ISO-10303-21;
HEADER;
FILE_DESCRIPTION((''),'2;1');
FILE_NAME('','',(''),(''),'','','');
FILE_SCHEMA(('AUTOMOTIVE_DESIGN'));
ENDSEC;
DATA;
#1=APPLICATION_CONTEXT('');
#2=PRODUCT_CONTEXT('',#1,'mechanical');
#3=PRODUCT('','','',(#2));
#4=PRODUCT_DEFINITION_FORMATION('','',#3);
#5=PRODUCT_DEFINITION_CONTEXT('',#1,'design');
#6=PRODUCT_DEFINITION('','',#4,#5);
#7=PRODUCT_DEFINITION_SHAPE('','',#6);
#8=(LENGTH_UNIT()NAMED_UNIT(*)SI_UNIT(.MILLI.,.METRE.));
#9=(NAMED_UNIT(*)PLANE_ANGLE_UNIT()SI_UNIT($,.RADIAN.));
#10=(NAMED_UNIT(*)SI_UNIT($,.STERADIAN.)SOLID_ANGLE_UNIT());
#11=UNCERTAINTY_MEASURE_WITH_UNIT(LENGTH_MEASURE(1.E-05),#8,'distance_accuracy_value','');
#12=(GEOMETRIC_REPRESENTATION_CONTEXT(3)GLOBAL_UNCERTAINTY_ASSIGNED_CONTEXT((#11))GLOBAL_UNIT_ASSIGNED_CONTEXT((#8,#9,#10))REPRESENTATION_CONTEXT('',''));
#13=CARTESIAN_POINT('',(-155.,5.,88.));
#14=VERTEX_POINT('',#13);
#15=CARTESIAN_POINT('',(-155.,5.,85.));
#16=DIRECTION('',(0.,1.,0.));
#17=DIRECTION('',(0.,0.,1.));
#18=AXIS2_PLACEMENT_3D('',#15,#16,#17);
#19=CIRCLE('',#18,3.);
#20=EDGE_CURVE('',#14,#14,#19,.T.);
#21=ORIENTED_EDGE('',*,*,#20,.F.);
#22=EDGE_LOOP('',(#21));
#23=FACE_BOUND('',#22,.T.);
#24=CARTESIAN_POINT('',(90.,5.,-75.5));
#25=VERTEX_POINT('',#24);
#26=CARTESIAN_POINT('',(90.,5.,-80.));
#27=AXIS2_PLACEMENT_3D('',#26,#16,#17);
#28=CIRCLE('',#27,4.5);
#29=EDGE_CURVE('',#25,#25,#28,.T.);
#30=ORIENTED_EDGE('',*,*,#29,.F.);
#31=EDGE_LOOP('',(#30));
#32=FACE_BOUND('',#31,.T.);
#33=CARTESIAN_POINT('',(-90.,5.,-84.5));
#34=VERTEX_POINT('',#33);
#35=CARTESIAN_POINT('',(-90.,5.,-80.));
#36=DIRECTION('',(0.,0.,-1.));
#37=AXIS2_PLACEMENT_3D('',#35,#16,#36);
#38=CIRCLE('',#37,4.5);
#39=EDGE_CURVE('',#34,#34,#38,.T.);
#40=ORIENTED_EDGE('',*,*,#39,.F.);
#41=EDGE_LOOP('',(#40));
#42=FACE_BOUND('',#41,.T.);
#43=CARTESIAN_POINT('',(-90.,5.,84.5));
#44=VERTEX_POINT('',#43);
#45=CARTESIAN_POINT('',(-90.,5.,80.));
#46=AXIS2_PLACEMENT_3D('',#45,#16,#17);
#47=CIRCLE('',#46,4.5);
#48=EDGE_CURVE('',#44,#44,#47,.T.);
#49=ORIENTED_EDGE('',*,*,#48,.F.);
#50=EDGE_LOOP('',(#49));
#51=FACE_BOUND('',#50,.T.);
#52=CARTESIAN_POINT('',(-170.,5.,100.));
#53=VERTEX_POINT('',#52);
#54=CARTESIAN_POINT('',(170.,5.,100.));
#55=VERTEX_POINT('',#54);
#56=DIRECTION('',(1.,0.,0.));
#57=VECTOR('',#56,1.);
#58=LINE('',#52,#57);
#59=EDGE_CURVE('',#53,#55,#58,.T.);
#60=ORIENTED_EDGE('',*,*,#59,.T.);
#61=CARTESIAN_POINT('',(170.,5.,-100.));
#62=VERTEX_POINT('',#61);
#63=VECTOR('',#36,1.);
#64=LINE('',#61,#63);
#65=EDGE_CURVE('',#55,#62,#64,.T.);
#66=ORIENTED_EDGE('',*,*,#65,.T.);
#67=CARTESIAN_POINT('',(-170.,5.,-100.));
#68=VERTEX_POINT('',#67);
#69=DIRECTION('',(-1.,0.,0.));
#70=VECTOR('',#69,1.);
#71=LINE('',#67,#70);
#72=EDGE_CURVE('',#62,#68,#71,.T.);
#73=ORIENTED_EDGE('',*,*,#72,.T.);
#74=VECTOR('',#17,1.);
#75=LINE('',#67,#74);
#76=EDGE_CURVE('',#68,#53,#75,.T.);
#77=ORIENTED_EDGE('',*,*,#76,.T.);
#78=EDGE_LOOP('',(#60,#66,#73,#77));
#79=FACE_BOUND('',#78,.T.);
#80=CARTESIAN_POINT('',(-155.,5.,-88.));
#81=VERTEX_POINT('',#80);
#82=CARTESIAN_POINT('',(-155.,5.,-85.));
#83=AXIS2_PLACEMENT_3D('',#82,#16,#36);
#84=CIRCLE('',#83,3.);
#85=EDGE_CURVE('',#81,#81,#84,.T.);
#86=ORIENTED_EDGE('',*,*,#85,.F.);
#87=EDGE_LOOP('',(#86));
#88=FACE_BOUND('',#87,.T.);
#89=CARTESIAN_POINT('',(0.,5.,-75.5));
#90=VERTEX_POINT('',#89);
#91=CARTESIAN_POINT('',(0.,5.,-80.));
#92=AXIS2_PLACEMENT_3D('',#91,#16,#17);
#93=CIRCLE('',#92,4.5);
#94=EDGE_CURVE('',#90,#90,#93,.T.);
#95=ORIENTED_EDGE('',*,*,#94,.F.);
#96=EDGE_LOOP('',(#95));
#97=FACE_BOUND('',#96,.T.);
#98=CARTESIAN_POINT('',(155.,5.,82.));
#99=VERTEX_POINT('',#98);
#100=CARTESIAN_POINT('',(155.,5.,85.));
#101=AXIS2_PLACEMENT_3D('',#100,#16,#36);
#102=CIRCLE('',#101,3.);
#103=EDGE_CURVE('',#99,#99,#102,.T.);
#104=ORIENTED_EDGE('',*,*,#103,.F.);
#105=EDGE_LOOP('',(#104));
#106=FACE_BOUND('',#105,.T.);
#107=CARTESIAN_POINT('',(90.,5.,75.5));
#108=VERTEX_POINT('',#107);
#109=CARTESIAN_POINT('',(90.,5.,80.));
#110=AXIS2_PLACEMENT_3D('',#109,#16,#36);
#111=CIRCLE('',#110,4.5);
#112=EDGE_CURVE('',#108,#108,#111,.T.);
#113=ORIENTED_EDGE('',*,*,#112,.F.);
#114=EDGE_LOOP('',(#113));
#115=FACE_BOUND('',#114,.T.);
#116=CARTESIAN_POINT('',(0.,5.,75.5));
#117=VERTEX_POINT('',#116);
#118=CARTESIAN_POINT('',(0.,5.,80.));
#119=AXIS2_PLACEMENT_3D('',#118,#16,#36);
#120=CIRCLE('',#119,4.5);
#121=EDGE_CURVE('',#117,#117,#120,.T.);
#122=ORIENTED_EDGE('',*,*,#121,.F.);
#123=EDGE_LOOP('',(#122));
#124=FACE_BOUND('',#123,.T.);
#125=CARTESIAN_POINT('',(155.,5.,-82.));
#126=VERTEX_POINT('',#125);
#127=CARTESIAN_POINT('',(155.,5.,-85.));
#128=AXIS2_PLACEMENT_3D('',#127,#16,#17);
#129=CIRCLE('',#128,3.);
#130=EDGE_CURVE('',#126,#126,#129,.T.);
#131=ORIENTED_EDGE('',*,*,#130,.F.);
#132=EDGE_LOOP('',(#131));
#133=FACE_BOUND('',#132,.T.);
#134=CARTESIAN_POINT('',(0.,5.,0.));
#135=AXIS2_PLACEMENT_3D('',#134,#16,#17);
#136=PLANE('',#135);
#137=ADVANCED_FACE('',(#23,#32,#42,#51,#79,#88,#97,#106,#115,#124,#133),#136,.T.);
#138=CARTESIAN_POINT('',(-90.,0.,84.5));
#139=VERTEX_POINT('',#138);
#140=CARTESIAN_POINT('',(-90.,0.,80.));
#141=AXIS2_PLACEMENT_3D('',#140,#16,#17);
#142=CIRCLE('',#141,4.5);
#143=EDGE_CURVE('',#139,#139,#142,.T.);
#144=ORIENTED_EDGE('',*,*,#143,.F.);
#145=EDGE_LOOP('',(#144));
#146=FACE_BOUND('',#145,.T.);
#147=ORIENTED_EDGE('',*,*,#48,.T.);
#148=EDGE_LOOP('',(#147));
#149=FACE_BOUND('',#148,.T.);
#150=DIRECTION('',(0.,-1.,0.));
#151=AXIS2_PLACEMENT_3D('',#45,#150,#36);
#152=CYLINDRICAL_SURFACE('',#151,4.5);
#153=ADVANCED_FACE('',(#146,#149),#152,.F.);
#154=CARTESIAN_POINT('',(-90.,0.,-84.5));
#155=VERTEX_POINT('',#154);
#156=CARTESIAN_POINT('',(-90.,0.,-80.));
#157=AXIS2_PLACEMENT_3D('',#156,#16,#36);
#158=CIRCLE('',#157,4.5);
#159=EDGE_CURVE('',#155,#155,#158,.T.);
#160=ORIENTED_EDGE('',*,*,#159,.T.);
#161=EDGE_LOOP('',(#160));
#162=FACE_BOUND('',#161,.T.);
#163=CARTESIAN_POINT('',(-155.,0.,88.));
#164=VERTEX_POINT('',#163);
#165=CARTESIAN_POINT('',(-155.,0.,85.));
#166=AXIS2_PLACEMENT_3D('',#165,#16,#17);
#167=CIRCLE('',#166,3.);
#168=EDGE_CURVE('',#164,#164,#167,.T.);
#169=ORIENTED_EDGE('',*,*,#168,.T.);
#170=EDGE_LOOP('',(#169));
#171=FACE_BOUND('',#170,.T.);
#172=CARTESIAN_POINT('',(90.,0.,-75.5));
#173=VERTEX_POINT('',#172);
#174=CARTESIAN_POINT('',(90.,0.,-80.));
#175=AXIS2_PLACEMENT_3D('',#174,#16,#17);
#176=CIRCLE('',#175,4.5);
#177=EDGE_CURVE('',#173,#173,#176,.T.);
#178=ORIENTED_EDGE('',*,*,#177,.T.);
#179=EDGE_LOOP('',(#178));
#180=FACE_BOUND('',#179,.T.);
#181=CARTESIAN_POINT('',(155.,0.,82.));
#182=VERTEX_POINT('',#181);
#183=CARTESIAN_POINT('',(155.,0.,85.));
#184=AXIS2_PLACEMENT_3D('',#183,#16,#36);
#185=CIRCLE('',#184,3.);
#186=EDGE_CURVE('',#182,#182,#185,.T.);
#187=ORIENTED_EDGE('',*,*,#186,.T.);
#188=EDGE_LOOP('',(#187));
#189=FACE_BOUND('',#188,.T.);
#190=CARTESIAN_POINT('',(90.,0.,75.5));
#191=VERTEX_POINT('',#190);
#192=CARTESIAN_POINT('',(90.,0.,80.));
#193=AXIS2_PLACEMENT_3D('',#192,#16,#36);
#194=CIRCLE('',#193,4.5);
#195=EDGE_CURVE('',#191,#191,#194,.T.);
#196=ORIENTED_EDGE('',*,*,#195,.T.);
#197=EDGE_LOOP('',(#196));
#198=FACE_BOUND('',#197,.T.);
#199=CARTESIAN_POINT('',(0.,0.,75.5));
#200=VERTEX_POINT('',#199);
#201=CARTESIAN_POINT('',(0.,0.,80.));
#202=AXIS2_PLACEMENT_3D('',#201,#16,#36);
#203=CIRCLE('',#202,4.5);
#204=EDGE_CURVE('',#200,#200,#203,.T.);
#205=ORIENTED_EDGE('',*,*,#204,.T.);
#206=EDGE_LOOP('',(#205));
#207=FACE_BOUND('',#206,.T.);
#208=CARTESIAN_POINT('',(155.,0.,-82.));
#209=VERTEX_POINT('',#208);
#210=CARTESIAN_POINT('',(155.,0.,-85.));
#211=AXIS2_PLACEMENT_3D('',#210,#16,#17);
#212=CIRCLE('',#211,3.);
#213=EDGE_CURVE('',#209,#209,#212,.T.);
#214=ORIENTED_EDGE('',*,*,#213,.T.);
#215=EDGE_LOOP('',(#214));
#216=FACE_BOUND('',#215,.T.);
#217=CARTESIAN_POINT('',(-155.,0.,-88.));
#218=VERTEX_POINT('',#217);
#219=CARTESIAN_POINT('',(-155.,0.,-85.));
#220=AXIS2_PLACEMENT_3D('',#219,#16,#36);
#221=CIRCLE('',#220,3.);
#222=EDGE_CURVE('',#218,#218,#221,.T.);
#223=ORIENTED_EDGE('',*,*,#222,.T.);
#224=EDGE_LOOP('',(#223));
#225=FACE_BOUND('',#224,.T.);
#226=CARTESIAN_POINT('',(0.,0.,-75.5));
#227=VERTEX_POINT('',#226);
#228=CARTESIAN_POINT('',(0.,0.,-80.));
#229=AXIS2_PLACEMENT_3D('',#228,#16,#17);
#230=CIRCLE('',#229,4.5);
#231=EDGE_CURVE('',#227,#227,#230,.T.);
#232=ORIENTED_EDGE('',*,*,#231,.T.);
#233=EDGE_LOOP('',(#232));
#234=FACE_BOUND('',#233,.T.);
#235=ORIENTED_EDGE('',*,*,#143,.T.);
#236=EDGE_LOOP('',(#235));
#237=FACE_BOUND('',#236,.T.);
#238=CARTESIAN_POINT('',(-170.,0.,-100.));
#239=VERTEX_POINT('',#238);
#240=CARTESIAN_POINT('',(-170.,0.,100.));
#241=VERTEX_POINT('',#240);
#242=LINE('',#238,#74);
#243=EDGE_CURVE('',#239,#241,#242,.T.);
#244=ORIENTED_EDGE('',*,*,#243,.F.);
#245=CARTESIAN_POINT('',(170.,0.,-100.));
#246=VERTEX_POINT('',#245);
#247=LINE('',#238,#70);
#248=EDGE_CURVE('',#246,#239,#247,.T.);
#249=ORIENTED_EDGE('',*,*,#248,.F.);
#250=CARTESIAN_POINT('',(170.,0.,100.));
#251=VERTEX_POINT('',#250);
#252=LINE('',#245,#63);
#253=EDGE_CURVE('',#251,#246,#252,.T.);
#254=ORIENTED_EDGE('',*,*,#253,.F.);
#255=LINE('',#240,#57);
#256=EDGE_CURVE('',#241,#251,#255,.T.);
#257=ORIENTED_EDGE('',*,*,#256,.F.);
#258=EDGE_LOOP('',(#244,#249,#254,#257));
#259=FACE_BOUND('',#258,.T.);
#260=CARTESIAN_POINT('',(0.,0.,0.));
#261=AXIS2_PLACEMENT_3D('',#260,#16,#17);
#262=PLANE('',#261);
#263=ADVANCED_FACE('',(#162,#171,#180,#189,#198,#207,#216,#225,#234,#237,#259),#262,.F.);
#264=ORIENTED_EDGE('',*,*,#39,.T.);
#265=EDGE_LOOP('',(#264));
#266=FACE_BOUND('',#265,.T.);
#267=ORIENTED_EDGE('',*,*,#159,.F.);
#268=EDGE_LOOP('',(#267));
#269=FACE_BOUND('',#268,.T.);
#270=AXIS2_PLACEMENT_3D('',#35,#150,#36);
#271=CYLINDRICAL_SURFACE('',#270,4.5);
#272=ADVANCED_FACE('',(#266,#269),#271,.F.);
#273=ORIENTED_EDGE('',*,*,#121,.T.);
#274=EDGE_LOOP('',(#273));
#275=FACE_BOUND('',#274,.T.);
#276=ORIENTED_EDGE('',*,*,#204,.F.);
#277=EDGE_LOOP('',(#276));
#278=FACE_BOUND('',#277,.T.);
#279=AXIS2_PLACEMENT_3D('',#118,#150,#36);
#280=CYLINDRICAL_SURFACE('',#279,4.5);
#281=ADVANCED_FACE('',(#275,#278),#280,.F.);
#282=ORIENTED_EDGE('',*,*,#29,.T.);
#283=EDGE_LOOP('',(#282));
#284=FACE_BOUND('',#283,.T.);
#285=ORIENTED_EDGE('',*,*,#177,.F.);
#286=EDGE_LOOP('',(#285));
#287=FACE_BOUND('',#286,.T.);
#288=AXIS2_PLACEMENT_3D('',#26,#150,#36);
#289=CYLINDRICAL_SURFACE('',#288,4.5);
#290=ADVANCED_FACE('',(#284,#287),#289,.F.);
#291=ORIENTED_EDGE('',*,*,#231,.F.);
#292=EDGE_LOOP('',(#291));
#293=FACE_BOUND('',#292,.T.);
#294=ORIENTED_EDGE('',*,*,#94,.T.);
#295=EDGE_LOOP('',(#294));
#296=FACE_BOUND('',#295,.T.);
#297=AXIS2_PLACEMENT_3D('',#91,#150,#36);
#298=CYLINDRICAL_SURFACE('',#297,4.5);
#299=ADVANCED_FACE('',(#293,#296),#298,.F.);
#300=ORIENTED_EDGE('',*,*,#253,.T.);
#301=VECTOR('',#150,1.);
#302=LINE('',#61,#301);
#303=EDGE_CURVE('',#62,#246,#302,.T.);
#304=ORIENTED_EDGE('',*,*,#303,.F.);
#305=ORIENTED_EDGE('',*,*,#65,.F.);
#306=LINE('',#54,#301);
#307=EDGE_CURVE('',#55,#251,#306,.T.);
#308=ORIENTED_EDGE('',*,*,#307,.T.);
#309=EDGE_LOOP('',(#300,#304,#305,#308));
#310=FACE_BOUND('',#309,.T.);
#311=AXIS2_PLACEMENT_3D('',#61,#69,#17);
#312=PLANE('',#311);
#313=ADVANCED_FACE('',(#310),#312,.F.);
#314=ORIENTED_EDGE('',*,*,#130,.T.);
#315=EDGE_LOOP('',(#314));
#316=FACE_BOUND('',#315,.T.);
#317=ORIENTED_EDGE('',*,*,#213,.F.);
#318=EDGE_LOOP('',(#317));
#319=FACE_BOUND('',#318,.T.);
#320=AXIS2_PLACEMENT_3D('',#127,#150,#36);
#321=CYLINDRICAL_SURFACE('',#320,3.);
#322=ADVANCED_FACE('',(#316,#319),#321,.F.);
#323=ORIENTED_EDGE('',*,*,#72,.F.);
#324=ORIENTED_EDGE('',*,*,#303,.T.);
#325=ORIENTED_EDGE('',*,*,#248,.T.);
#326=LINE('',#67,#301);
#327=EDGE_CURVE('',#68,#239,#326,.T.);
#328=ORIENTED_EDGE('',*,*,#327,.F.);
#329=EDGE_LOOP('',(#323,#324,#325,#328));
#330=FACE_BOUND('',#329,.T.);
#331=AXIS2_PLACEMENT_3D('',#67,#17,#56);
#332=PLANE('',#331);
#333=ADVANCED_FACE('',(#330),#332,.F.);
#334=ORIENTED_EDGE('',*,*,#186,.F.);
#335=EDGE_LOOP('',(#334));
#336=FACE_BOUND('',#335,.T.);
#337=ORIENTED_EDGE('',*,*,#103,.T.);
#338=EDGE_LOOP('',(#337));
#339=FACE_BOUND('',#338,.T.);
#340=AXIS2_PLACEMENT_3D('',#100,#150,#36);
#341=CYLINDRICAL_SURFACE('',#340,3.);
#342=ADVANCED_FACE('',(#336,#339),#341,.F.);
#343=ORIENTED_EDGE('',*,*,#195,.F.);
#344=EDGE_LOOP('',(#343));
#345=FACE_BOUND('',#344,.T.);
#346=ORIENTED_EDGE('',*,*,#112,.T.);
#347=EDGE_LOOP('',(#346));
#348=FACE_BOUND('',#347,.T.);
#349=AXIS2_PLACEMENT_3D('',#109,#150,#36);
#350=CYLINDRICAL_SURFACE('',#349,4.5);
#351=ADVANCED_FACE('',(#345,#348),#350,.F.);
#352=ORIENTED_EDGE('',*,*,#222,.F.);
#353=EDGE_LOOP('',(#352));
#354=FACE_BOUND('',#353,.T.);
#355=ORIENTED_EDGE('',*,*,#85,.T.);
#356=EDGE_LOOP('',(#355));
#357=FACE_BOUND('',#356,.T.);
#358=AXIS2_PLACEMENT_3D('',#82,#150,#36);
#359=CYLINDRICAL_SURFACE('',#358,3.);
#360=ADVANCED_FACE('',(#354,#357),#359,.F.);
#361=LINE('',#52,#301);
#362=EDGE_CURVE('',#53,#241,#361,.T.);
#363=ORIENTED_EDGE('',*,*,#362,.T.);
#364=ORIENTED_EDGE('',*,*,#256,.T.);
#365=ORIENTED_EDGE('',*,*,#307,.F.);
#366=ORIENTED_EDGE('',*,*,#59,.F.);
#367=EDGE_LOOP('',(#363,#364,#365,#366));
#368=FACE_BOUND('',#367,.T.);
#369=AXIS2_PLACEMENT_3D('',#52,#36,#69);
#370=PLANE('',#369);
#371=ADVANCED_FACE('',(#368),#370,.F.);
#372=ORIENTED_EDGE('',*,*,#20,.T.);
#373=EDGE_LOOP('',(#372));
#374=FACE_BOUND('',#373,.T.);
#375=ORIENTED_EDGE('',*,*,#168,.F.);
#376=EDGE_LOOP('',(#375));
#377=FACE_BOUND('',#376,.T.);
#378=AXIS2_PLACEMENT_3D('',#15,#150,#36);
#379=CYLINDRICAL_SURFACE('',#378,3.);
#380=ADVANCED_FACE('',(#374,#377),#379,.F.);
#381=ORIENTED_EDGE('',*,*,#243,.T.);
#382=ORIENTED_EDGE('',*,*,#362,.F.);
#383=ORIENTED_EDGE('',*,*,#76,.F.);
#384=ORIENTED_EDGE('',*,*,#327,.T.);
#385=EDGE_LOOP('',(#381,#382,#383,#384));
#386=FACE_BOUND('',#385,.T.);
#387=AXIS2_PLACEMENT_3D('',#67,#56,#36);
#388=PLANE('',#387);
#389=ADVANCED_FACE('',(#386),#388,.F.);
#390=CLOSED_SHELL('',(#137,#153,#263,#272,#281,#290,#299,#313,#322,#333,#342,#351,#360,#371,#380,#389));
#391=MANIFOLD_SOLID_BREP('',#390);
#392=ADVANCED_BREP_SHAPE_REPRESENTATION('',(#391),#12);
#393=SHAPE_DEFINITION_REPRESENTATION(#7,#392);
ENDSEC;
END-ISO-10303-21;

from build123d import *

# Parameters (mm, degrees)
SKETCH1_W           = 340
SKETCH1_H           = 200
SKETCH1_R           = 3
SKETCH1_R_2         = 4.5
BOSS_EXTRUDE1_DEPTH = 5


with BuildPart() as part:
    # Sketch1 → Boss-Extrude1 (new body)
    with BuildSketch(Plane(origin=(0, 0, 0), x_dir=(1, 0, 0), z_dir=(0, 1, 0))):
        Rectangle(SKETCH1_W, SKETCH1_H)
        with Locations((155, 85)):
            Circle(SKETCH1_R, mode=Mode.SUBTRACT)
        with Locations((-155, 85)):
            Circle(SKETCH1_R, mode=Mode.SUBTRACT)
        with Locations((-155, -85)):
            Circle(SKETCH1_R, mode=Mode.SUBTRACT)
        with Locations((155, -85)):
            Circle(SKETCH1_R, mode=Mode.SUBTRACT)
        with Locations((0, 80)):
            Circle(SKETCH1_R_2, mode=Mode.SUBTRACT)
        with Locations((0, -80)):
            Circle(SKETCH1_R_2, mode=Mode.SUBTRACT)
        with Locations((90, 80)):
            Circle(SKETCH1_R_2, mode=Mode.SUBTRACT)
        with Locations((90, -80)):
            Circle(SKETCH1_R_2, mode=Mode.SUBTRACT)
        with Locations((-90, -80)):
            Circle(SKETCH1_R_2, mode=Mode.SUBTRACT)
        with Locations((-90, 80)):
            Circle(SKETCH1_R_2, mode=Mode.SUBTRACT)
    extrude(amount=BOSS_EXTRUDE1_DEPTH)


solid = part.part
